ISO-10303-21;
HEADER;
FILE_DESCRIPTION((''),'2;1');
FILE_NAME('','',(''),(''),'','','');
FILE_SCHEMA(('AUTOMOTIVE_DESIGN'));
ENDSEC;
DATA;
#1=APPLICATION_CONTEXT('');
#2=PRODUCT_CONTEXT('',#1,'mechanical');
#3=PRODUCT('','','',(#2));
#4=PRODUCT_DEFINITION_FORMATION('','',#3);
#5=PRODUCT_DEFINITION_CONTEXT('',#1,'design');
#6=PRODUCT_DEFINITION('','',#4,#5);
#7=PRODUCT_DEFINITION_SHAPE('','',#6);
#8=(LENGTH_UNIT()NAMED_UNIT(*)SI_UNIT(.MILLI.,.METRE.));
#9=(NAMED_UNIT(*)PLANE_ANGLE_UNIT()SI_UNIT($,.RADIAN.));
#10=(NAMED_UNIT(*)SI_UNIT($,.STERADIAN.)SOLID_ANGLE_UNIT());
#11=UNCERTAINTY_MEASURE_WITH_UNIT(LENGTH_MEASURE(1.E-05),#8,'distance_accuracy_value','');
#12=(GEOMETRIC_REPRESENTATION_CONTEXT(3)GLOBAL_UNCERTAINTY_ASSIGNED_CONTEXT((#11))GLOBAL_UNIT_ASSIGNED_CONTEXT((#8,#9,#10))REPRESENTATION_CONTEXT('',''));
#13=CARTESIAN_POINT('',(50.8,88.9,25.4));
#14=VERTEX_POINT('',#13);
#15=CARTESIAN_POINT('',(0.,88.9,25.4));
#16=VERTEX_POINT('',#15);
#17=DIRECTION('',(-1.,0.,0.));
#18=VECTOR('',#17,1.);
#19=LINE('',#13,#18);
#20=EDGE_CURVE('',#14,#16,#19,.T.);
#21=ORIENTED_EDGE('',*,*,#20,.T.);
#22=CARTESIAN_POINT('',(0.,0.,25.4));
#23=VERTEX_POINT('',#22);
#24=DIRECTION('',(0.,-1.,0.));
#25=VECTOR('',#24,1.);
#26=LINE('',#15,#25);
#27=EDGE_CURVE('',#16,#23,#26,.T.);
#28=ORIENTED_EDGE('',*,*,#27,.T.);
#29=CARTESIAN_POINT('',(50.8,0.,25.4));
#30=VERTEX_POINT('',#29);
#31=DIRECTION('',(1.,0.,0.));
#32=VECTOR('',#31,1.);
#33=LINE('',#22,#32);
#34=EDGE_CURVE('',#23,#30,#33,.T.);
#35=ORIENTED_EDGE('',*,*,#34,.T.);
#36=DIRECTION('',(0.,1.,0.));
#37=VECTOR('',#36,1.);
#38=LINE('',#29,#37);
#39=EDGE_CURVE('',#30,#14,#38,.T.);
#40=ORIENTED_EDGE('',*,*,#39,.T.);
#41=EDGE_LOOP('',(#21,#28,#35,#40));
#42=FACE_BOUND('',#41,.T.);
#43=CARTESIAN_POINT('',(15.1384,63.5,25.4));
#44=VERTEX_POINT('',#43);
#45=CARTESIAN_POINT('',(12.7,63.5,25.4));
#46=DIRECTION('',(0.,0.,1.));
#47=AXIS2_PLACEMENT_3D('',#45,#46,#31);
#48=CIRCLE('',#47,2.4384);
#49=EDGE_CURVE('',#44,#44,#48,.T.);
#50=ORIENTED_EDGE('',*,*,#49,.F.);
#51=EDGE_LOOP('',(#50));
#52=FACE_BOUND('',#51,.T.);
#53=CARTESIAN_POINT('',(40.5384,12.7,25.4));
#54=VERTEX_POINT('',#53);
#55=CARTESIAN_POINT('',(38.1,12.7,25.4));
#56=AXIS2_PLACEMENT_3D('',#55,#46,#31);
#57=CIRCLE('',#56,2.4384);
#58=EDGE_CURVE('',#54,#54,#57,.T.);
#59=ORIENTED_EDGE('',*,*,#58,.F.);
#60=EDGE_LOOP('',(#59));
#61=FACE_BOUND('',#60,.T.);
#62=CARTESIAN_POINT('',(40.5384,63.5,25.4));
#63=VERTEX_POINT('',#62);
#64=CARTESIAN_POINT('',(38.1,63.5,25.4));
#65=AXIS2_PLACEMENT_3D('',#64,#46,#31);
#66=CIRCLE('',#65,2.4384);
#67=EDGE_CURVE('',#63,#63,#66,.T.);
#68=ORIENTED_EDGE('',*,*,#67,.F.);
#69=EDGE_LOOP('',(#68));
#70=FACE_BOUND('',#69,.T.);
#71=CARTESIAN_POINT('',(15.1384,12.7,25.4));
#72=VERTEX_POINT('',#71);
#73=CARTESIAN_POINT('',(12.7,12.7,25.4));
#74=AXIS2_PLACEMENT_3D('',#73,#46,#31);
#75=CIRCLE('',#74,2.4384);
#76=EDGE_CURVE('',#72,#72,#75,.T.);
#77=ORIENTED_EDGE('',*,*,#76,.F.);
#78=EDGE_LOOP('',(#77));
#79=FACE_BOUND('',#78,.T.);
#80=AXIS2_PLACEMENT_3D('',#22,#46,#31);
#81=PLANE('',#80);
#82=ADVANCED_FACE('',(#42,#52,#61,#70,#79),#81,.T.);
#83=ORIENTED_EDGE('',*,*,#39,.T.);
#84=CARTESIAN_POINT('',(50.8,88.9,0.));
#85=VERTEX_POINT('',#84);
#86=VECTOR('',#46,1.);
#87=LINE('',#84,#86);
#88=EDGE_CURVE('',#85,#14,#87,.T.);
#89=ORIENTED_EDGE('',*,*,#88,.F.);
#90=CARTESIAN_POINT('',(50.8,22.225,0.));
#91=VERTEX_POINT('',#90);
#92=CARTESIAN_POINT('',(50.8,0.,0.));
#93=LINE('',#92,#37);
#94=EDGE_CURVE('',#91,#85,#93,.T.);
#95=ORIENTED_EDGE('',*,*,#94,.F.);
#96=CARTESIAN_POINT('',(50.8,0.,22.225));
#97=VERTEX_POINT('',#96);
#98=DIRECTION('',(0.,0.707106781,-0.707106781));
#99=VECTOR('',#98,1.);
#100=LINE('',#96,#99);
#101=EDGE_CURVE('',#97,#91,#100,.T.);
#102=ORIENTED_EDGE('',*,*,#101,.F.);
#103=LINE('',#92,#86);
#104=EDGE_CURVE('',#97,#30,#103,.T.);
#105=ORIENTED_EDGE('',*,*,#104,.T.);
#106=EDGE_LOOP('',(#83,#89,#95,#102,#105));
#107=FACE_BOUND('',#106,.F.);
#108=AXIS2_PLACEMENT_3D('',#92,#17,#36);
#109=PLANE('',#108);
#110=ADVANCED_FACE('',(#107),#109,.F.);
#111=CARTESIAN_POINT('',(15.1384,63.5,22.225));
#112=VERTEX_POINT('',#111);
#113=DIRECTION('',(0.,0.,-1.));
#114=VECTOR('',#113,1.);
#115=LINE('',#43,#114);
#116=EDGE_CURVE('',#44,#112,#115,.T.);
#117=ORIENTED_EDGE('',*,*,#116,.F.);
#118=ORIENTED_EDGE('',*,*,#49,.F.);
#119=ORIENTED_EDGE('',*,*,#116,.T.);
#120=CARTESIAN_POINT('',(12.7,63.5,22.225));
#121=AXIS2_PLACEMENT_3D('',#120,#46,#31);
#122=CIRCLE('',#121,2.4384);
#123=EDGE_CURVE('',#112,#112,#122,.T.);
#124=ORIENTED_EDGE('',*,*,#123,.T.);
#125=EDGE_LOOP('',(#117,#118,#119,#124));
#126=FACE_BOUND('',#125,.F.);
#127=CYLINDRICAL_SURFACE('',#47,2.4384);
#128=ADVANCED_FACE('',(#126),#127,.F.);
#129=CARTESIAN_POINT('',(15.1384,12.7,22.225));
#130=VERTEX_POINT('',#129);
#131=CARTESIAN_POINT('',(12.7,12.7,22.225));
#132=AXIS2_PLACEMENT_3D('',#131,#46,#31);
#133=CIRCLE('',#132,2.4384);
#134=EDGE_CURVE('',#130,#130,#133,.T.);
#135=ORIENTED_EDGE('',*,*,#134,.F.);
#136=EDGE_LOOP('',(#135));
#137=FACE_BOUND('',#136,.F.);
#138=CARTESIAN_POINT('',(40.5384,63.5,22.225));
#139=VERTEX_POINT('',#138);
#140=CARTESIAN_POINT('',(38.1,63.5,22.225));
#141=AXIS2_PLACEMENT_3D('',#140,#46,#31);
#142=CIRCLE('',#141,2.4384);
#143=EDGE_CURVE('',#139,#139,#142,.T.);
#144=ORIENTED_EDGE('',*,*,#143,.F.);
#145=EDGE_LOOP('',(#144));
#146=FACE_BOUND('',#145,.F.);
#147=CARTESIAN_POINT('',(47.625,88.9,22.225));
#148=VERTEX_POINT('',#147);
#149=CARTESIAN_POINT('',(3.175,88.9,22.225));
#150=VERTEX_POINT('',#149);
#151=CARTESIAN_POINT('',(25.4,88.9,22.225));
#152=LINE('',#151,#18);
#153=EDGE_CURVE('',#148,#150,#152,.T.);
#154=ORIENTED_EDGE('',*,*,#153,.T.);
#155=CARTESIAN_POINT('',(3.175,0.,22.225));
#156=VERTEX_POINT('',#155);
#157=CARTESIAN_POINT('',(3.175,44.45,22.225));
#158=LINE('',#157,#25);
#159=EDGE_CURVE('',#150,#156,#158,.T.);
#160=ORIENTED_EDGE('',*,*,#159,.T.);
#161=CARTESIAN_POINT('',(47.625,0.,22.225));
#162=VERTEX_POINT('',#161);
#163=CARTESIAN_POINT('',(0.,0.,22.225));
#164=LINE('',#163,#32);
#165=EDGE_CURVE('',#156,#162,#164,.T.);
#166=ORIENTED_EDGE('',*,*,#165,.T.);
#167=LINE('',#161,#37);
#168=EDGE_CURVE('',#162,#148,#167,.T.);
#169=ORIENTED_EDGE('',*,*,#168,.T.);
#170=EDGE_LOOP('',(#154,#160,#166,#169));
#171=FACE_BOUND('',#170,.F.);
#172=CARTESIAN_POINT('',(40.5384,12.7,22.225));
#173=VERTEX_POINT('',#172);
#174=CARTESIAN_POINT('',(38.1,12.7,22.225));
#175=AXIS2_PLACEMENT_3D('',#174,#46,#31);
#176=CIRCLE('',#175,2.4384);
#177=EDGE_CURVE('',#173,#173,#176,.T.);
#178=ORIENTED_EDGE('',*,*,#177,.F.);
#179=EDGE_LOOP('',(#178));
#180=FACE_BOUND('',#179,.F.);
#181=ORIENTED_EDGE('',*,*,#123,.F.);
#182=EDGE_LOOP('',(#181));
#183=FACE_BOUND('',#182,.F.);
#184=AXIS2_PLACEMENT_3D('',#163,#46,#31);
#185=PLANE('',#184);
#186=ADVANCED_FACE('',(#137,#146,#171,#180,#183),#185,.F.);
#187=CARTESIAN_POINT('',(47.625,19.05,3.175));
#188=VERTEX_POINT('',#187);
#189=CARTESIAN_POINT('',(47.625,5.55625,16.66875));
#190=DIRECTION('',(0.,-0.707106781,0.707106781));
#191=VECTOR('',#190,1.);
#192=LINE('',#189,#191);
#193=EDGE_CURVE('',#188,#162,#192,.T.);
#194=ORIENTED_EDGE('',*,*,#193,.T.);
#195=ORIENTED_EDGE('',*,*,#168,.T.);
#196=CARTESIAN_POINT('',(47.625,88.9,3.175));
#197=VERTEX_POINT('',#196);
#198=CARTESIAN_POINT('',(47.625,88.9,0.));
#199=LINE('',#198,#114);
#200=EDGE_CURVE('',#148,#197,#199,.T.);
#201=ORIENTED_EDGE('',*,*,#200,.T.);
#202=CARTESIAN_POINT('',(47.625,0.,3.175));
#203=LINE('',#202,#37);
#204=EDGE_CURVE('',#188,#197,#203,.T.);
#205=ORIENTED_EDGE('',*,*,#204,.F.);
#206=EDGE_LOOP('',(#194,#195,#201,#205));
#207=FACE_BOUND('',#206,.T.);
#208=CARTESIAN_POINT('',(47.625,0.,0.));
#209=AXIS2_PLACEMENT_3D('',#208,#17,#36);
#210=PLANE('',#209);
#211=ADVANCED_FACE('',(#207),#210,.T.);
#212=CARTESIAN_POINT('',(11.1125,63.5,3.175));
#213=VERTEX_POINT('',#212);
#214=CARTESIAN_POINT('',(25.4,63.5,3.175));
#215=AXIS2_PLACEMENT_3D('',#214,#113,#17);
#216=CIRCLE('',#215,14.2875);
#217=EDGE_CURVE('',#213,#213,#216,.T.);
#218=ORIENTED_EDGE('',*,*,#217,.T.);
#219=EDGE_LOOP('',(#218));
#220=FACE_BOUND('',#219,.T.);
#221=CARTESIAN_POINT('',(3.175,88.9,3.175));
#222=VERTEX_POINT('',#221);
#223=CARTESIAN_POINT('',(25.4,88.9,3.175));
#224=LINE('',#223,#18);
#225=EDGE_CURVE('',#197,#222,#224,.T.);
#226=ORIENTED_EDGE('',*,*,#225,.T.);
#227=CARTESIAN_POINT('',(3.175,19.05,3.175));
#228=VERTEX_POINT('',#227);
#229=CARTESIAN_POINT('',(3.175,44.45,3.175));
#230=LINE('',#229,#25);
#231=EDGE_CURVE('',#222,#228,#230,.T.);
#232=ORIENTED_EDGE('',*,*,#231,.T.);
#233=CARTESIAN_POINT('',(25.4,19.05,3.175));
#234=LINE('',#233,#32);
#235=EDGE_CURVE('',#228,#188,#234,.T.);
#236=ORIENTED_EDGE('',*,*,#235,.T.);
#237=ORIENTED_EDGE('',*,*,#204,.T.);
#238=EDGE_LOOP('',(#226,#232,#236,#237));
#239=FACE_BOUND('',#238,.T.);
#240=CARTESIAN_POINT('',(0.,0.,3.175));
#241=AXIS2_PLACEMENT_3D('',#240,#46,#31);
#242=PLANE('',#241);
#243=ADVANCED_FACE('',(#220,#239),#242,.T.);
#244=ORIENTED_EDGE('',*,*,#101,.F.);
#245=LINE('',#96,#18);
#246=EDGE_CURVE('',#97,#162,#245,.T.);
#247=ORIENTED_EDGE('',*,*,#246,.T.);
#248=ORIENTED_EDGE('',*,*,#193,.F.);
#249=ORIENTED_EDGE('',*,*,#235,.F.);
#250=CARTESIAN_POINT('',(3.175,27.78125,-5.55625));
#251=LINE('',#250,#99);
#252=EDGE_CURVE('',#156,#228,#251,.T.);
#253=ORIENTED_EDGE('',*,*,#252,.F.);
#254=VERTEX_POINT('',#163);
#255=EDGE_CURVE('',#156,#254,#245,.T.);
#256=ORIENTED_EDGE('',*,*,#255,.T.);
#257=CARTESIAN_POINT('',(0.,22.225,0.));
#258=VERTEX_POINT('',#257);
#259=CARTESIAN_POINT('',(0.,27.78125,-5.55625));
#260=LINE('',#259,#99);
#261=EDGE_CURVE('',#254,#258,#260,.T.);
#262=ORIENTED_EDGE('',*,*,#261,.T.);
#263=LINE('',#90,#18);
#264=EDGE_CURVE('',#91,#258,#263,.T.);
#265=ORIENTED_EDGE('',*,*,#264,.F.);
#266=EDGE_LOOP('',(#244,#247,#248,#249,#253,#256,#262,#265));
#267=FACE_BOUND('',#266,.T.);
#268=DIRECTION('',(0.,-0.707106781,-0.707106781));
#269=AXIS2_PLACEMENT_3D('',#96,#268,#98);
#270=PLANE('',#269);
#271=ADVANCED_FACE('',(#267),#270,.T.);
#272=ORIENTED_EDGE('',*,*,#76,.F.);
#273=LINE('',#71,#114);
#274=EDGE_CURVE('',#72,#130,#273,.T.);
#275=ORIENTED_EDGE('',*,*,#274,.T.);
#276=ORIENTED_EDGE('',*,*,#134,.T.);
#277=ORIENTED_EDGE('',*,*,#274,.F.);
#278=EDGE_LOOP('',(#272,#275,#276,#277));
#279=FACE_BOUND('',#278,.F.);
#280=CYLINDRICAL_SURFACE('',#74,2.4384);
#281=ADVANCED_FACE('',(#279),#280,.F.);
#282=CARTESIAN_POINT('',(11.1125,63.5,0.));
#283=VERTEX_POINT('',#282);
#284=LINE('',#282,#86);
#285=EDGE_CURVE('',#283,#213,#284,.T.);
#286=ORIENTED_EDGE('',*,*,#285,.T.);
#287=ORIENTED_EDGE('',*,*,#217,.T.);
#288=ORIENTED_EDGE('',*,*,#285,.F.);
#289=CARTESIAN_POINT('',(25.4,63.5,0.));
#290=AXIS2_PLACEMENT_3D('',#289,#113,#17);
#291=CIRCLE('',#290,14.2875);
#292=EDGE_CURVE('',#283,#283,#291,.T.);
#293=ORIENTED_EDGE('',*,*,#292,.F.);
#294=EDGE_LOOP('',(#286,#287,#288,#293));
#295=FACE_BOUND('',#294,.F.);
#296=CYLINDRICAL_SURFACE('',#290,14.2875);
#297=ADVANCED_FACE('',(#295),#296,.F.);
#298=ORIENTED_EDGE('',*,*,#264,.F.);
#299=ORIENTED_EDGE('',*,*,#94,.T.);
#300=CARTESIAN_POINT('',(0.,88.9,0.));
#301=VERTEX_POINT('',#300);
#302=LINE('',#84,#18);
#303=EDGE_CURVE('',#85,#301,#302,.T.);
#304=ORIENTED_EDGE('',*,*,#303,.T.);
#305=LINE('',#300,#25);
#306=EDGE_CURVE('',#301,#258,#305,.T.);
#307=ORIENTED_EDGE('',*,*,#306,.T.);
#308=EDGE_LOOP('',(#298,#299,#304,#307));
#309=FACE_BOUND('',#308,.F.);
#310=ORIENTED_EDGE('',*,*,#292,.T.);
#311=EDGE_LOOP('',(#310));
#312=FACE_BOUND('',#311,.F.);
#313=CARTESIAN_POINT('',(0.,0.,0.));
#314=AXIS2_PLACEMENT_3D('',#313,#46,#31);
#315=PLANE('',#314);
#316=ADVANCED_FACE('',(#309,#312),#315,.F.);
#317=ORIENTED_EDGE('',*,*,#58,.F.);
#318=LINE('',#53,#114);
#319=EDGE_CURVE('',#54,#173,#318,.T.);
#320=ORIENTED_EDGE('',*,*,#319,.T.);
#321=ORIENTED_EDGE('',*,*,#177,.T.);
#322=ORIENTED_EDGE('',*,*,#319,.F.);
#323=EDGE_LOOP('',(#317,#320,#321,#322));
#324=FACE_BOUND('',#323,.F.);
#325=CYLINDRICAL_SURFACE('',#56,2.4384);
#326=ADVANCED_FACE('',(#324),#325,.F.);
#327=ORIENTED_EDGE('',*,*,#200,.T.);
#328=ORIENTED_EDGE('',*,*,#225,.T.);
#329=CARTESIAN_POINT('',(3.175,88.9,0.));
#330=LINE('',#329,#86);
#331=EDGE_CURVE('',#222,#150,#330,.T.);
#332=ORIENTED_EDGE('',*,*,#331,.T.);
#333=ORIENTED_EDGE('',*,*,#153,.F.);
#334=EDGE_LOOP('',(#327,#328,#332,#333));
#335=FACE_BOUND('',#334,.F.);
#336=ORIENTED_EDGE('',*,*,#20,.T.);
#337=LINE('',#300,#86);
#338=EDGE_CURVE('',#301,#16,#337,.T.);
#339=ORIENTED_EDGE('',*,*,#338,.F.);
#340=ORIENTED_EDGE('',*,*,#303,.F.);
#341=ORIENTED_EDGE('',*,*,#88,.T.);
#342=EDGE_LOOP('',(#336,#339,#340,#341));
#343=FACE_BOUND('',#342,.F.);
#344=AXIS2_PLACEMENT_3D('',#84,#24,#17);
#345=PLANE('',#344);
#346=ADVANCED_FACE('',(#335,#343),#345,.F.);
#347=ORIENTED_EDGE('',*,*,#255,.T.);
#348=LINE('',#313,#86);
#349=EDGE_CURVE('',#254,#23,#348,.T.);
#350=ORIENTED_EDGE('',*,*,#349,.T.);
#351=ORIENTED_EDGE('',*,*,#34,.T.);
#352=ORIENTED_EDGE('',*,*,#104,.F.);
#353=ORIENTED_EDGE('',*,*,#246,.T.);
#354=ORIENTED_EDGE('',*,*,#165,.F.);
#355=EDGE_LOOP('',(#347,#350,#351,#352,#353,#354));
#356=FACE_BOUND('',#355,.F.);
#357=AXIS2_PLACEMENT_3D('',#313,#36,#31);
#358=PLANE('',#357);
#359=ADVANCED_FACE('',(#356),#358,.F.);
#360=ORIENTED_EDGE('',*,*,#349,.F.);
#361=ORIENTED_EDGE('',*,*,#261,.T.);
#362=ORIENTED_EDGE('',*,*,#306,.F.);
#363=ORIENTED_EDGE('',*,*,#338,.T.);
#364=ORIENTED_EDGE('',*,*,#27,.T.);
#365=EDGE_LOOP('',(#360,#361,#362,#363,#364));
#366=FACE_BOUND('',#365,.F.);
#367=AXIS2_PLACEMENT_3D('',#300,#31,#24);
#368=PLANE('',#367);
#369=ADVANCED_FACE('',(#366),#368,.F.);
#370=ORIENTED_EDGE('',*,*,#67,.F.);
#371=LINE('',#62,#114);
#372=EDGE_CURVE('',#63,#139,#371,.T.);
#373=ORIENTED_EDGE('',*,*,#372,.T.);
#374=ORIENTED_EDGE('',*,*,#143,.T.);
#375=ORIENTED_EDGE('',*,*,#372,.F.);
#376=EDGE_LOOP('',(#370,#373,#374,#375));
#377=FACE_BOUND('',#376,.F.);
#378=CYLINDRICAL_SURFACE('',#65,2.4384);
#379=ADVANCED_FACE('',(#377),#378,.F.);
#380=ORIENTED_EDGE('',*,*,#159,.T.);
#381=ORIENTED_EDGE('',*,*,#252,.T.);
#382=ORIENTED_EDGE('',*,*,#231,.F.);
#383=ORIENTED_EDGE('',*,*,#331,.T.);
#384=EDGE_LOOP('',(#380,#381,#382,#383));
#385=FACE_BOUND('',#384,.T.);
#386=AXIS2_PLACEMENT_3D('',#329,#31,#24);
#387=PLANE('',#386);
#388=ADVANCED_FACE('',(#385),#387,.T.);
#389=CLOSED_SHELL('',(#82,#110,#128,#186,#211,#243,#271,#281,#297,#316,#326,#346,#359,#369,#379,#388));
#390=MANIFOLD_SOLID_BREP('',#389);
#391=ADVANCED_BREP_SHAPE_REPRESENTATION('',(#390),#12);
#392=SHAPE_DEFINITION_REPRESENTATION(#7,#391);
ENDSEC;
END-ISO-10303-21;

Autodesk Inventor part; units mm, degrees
ref_plane "YZ Plane" through (0, 0, 0) normal (1, 0, 0) x (0, 1, 0)
ref_plane "XZ Plane" through (0, 0, 0) normal (0, 1, 0) x (-1, 0, 0)
ref_plane "XY Plane" through (0, 0, 0) normal (0, 0, 1) x (1, 0, 0)
sketch "Sketch1" plane through (0, 0, 0) normal (0, 0, 1) x (1, 0, 0)
  line L0 (0, 0) -> (50.8, 0)
  line L1 (50.8, 0) -> (50.8, 88.9)
  line L2 (50.8, 88.9) -> (0, 88.9)
  line L3 (0, 88.9) -> (0, 0)
  dimension "d0" = 50.8
  dimension "d1" = 88.9
extrude "Extrusion1" add sketch "Sketch1" along normal blind 25.4
shell "Shell1" thickness 3.175 removed faces 2 at (33.8667, 88.9, 8.4667) at (16.9333, 0, 16.9333)
sketch "Sketch2" plane through (0, 0, 25.4) normal (0, 0, 1) x (1, 0, 0)
  line L0 (0, 0) -> (0, 88.9) projected
  line L1 (50.8, 0) -> (0, 0) projected
  line L2 (50.8, 88.9) -> (50.8, 0) projected
  line L3 (12.7, 63.5) -> (38.1, 63.5) construction
  line L4 (38.1, 63.5) -> (38.1, 12.7) construction
  line L5 (38.1, 12.7) -> (12.7, 12.7) construction
  line L6 (12.7, 12.7) -> (12.7, 63.5) construction
  line L7 (12.7, 63.5) -> (0, 63.5) construction
  line L8 (38.1, 63.5) -> (50.8, 63.5) construction
  line L9 (38.1, 12.7) -> (38.1, 0) construction
  circle A0 centre (12.7, 12.7) radius 2.4384
  circle A1 centre (38.1, 12.7) radius 2.4384
  circle A2 centre (38.1, 63.5) radius 2.4384
  circle A3 centre (12.7, 63.5) radius 2.4384
  dimension "d5" = 50.8
  dimension "d6" = 25.4
  dimension "d7" = 12.7
  dimension "d8" = 4.8768
extrude "Extrusion2" cut sketch "Sketch2" against normal up to next
sketch "Sketch3" plane through (50.8, 0, 0) normal (1, 0, 0) x (0, 0, -1)
  line L0 (0, 0) -> (-25.4, 0) projected
  line L1 (0, 0) -> (0, 88.9) projected
  line L2 (-22.225, 0) -> (0, 22.225)
  line L3 (0, 22.225) -> (0, 0)
  line L4 (0, 0) -> (-22.225, 0)
  dimension "d11" = 22.225
  dimension "d12" = 22.225
extrude "Extrusion3" cut sketch "Sketch3" against normal through all
sketch "Sketch5" plane through (0, 0, 0) normal (0, 0, -1) x (-1, 0, 0)
  line L0 (0, 88.9) -> (0, 22.225) projected
  circle A0 centre (-25.4, 63.5) radius 14.2875
  point P0 (0, 0)
  dimension "d19" = 63.5
  dimension "d20" = 28.575
  dimension "d21" = 25.4
extrude "Extrusion5" cut sketch "Sketch5" against normal up to next
properties part number "BearingMount" material "Aluminum-6061"
